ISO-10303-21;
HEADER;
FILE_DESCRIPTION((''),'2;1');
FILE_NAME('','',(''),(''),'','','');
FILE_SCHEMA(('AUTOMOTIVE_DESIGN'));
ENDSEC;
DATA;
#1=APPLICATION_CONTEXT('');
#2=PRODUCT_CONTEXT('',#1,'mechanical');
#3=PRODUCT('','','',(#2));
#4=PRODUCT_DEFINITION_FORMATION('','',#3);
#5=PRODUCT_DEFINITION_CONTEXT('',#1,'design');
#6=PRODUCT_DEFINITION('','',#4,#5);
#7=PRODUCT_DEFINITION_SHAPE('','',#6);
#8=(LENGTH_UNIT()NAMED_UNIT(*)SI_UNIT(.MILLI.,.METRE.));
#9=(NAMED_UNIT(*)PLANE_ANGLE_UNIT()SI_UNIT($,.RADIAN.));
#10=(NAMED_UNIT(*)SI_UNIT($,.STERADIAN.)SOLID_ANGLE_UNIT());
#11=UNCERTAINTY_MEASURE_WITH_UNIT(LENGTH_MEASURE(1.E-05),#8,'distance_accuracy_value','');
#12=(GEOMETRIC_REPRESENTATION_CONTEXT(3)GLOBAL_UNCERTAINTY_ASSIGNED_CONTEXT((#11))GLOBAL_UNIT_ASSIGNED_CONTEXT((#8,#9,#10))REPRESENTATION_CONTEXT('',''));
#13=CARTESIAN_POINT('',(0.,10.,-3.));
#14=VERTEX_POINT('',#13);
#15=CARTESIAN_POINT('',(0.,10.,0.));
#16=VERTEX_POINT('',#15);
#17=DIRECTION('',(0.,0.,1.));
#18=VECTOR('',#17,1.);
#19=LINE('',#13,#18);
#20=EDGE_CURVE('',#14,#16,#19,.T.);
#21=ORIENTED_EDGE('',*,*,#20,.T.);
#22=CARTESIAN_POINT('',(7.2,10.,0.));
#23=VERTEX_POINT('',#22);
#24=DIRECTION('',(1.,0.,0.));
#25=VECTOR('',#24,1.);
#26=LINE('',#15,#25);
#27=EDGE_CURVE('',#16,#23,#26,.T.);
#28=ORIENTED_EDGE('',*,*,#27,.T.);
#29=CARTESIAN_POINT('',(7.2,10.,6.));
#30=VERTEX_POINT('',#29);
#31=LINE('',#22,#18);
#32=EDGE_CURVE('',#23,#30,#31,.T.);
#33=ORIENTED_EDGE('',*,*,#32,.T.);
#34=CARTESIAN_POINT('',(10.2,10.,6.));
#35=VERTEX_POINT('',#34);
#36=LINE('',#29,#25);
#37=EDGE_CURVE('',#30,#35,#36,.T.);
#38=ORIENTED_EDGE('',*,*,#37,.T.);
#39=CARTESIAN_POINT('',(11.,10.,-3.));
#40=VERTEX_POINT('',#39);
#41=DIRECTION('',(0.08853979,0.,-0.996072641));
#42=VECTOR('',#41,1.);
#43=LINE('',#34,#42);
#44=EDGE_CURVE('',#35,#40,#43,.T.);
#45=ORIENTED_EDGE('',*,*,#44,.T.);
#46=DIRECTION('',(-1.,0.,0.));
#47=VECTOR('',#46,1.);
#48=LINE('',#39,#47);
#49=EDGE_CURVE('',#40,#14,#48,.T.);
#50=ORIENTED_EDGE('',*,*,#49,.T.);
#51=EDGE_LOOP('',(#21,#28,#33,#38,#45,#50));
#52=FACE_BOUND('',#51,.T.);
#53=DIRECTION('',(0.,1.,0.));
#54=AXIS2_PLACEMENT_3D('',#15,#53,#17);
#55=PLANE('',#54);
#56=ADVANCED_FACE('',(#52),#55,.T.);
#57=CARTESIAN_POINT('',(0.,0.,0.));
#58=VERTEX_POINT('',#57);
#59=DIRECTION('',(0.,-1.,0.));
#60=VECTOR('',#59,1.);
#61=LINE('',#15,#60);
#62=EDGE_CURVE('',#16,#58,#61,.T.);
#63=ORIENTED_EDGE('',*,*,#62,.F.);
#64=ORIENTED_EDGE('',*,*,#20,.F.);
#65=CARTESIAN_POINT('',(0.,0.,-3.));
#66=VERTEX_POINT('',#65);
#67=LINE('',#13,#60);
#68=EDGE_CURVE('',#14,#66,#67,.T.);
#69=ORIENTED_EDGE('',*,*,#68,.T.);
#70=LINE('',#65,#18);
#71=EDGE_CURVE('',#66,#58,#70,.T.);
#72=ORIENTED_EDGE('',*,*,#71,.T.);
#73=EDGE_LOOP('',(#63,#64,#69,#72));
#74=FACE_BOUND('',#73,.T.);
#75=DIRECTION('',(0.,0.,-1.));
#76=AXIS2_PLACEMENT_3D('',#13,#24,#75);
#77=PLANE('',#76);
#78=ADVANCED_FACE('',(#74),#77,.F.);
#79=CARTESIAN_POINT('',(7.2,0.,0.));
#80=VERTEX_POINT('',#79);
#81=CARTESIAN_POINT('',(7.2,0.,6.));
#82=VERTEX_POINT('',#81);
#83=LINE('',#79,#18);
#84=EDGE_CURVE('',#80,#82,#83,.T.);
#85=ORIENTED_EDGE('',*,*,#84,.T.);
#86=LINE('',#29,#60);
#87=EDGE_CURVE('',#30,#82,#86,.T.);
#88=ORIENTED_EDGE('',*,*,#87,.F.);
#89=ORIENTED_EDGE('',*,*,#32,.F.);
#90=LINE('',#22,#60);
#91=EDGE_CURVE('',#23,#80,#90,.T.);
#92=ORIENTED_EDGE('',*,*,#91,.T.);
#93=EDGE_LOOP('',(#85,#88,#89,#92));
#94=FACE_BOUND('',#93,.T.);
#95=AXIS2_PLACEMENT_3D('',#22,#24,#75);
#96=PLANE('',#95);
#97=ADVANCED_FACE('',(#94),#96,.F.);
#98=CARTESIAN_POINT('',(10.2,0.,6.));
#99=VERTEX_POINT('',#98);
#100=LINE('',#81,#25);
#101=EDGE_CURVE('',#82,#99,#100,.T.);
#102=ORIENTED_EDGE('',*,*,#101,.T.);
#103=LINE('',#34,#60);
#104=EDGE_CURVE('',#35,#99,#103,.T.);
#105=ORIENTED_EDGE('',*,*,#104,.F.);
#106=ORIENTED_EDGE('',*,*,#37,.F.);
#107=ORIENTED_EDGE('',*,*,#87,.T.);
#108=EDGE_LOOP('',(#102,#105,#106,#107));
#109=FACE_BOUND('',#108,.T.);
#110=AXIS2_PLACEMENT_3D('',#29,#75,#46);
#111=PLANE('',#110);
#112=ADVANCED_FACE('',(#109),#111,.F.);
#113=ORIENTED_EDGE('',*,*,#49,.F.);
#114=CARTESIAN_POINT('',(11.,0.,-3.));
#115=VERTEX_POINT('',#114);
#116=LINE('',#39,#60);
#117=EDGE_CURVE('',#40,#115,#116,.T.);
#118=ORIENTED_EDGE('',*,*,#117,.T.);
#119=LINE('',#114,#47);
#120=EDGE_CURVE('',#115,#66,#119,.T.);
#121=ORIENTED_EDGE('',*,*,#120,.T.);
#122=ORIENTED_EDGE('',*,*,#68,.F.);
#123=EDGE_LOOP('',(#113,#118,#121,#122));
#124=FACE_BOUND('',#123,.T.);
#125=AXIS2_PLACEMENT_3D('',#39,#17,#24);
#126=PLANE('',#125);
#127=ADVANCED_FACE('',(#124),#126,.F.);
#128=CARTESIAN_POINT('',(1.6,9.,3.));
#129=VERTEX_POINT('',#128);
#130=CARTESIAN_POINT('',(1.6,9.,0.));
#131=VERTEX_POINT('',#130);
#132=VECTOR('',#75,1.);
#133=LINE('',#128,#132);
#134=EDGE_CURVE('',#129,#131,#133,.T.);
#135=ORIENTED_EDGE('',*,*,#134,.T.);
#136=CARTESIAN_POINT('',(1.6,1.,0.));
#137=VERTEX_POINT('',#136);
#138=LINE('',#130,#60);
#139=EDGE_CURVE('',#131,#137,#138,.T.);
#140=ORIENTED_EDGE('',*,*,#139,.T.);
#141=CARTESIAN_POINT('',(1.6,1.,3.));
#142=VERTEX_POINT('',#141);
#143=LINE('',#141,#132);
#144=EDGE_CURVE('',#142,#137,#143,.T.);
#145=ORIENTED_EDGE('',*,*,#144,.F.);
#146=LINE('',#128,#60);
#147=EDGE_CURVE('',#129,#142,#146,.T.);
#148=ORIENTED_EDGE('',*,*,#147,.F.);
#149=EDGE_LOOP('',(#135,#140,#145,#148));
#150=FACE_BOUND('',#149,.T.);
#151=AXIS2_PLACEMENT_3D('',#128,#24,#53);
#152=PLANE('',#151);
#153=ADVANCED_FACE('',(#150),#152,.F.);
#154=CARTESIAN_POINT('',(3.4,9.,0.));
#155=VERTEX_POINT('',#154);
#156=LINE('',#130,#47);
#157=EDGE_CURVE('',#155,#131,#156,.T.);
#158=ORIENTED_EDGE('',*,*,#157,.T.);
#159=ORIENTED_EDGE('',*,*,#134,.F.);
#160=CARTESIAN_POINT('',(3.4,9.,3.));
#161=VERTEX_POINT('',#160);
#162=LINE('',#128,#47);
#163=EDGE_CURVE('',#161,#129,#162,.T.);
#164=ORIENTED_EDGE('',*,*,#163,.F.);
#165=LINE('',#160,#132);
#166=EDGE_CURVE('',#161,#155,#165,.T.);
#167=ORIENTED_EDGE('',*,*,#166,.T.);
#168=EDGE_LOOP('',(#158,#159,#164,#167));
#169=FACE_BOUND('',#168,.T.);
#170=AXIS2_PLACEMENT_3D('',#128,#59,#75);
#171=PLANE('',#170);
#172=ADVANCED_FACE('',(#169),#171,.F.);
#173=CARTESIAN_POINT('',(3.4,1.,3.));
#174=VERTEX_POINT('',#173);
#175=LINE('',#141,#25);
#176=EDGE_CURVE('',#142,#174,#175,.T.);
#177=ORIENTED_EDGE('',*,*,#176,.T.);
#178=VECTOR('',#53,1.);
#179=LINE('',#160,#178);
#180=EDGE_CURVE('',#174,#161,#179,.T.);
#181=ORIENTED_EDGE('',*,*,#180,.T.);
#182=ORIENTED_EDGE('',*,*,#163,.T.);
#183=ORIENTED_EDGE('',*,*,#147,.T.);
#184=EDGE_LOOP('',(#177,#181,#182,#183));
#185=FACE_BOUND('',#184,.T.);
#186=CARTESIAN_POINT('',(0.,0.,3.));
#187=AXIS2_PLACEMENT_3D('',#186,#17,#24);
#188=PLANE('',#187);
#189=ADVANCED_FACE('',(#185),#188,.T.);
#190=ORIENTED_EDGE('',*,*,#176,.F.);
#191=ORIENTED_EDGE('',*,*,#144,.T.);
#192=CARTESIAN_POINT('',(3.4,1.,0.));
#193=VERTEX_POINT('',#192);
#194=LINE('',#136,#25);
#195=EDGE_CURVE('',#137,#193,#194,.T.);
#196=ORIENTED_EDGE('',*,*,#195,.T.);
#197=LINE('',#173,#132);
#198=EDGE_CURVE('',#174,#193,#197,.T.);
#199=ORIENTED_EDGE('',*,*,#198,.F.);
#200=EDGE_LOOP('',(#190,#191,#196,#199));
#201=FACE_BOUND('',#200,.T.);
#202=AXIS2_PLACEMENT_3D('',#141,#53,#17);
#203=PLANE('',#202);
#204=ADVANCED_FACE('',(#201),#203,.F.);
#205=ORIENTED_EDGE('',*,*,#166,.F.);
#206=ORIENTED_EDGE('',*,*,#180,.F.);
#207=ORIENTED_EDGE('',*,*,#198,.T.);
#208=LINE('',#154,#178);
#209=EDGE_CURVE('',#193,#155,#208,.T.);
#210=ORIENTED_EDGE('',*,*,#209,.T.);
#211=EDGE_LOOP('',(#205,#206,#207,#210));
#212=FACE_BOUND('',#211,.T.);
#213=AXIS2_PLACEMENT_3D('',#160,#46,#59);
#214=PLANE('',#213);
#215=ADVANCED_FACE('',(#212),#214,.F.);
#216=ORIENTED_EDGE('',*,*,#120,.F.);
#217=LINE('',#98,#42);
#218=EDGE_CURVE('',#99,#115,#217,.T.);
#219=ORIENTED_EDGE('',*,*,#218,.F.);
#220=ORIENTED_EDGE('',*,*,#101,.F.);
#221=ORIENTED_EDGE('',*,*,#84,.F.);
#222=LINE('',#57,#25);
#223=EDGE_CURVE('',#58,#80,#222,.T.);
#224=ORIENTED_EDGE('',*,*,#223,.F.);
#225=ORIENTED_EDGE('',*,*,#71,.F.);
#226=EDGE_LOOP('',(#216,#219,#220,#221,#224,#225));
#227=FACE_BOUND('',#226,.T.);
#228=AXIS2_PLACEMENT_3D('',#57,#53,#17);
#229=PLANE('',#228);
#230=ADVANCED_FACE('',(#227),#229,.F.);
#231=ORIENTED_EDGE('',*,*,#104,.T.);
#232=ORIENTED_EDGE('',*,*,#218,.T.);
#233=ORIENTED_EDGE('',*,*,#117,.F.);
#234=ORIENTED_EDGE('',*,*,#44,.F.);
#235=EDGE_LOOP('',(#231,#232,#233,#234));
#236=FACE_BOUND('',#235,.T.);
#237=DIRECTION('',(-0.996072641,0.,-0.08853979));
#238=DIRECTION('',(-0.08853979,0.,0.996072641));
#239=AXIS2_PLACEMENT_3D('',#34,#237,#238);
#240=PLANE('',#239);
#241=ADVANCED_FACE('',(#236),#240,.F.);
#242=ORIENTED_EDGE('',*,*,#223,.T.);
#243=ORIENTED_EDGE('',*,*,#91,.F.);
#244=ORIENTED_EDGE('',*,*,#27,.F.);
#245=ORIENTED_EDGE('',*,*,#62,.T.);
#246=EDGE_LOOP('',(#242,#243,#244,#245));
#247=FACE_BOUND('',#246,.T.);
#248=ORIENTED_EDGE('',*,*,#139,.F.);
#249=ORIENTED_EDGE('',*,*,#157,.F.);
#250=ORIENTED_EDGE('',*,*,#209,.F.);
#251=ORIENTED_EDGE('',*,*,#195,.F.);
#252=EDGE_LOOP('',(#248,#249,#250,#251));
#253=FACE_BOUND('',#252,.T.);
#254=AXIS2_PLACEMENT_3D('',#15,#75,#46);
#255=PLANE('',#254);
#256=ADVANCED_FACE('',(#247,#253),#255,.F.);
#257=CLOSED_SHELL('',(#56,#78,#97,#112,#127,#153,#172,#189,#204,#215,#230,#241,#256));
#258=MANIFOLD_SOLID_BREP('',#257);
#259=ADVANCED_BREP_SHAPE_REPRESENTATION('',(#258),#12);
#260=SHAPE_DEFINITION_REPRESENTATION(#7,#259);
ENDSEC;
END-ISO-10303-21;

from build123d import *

# Parameters (mm, degrees)
BOSS_EXTRUDE1_DEPTH = 10
SKETCH2_W           = 1.8
SKETCH2_H           = 8
BOSS_EXTRUDE2_DEPTH = 3


with BuildPart() as part:
    # Sketch1 → Boss-Extrude1 (new body)
    with BuildSketch(Plane(origin=(0, 0, 0), x_dir=(1, 0, 0), z_dir=(0, 1, 0))):
        Polygon((0, 0), (7.2, 0), (7.2, -6), (10.2, -6), (11, 3), (0, 3), align=None)
    extrude(amount=BOSS_EXTRUDE1_DEPTH)

    # Sketch2 → Boss-Extrude2 (add)
    with BuildSketch(Plane.XY):
        with Locations((2.5, 5)):
            Rectangle(SKETCH2_W, SKETCH2_H)
    extrude(amount=BOSS_EXTRUDE2_DEPTH)


solid = part.part
